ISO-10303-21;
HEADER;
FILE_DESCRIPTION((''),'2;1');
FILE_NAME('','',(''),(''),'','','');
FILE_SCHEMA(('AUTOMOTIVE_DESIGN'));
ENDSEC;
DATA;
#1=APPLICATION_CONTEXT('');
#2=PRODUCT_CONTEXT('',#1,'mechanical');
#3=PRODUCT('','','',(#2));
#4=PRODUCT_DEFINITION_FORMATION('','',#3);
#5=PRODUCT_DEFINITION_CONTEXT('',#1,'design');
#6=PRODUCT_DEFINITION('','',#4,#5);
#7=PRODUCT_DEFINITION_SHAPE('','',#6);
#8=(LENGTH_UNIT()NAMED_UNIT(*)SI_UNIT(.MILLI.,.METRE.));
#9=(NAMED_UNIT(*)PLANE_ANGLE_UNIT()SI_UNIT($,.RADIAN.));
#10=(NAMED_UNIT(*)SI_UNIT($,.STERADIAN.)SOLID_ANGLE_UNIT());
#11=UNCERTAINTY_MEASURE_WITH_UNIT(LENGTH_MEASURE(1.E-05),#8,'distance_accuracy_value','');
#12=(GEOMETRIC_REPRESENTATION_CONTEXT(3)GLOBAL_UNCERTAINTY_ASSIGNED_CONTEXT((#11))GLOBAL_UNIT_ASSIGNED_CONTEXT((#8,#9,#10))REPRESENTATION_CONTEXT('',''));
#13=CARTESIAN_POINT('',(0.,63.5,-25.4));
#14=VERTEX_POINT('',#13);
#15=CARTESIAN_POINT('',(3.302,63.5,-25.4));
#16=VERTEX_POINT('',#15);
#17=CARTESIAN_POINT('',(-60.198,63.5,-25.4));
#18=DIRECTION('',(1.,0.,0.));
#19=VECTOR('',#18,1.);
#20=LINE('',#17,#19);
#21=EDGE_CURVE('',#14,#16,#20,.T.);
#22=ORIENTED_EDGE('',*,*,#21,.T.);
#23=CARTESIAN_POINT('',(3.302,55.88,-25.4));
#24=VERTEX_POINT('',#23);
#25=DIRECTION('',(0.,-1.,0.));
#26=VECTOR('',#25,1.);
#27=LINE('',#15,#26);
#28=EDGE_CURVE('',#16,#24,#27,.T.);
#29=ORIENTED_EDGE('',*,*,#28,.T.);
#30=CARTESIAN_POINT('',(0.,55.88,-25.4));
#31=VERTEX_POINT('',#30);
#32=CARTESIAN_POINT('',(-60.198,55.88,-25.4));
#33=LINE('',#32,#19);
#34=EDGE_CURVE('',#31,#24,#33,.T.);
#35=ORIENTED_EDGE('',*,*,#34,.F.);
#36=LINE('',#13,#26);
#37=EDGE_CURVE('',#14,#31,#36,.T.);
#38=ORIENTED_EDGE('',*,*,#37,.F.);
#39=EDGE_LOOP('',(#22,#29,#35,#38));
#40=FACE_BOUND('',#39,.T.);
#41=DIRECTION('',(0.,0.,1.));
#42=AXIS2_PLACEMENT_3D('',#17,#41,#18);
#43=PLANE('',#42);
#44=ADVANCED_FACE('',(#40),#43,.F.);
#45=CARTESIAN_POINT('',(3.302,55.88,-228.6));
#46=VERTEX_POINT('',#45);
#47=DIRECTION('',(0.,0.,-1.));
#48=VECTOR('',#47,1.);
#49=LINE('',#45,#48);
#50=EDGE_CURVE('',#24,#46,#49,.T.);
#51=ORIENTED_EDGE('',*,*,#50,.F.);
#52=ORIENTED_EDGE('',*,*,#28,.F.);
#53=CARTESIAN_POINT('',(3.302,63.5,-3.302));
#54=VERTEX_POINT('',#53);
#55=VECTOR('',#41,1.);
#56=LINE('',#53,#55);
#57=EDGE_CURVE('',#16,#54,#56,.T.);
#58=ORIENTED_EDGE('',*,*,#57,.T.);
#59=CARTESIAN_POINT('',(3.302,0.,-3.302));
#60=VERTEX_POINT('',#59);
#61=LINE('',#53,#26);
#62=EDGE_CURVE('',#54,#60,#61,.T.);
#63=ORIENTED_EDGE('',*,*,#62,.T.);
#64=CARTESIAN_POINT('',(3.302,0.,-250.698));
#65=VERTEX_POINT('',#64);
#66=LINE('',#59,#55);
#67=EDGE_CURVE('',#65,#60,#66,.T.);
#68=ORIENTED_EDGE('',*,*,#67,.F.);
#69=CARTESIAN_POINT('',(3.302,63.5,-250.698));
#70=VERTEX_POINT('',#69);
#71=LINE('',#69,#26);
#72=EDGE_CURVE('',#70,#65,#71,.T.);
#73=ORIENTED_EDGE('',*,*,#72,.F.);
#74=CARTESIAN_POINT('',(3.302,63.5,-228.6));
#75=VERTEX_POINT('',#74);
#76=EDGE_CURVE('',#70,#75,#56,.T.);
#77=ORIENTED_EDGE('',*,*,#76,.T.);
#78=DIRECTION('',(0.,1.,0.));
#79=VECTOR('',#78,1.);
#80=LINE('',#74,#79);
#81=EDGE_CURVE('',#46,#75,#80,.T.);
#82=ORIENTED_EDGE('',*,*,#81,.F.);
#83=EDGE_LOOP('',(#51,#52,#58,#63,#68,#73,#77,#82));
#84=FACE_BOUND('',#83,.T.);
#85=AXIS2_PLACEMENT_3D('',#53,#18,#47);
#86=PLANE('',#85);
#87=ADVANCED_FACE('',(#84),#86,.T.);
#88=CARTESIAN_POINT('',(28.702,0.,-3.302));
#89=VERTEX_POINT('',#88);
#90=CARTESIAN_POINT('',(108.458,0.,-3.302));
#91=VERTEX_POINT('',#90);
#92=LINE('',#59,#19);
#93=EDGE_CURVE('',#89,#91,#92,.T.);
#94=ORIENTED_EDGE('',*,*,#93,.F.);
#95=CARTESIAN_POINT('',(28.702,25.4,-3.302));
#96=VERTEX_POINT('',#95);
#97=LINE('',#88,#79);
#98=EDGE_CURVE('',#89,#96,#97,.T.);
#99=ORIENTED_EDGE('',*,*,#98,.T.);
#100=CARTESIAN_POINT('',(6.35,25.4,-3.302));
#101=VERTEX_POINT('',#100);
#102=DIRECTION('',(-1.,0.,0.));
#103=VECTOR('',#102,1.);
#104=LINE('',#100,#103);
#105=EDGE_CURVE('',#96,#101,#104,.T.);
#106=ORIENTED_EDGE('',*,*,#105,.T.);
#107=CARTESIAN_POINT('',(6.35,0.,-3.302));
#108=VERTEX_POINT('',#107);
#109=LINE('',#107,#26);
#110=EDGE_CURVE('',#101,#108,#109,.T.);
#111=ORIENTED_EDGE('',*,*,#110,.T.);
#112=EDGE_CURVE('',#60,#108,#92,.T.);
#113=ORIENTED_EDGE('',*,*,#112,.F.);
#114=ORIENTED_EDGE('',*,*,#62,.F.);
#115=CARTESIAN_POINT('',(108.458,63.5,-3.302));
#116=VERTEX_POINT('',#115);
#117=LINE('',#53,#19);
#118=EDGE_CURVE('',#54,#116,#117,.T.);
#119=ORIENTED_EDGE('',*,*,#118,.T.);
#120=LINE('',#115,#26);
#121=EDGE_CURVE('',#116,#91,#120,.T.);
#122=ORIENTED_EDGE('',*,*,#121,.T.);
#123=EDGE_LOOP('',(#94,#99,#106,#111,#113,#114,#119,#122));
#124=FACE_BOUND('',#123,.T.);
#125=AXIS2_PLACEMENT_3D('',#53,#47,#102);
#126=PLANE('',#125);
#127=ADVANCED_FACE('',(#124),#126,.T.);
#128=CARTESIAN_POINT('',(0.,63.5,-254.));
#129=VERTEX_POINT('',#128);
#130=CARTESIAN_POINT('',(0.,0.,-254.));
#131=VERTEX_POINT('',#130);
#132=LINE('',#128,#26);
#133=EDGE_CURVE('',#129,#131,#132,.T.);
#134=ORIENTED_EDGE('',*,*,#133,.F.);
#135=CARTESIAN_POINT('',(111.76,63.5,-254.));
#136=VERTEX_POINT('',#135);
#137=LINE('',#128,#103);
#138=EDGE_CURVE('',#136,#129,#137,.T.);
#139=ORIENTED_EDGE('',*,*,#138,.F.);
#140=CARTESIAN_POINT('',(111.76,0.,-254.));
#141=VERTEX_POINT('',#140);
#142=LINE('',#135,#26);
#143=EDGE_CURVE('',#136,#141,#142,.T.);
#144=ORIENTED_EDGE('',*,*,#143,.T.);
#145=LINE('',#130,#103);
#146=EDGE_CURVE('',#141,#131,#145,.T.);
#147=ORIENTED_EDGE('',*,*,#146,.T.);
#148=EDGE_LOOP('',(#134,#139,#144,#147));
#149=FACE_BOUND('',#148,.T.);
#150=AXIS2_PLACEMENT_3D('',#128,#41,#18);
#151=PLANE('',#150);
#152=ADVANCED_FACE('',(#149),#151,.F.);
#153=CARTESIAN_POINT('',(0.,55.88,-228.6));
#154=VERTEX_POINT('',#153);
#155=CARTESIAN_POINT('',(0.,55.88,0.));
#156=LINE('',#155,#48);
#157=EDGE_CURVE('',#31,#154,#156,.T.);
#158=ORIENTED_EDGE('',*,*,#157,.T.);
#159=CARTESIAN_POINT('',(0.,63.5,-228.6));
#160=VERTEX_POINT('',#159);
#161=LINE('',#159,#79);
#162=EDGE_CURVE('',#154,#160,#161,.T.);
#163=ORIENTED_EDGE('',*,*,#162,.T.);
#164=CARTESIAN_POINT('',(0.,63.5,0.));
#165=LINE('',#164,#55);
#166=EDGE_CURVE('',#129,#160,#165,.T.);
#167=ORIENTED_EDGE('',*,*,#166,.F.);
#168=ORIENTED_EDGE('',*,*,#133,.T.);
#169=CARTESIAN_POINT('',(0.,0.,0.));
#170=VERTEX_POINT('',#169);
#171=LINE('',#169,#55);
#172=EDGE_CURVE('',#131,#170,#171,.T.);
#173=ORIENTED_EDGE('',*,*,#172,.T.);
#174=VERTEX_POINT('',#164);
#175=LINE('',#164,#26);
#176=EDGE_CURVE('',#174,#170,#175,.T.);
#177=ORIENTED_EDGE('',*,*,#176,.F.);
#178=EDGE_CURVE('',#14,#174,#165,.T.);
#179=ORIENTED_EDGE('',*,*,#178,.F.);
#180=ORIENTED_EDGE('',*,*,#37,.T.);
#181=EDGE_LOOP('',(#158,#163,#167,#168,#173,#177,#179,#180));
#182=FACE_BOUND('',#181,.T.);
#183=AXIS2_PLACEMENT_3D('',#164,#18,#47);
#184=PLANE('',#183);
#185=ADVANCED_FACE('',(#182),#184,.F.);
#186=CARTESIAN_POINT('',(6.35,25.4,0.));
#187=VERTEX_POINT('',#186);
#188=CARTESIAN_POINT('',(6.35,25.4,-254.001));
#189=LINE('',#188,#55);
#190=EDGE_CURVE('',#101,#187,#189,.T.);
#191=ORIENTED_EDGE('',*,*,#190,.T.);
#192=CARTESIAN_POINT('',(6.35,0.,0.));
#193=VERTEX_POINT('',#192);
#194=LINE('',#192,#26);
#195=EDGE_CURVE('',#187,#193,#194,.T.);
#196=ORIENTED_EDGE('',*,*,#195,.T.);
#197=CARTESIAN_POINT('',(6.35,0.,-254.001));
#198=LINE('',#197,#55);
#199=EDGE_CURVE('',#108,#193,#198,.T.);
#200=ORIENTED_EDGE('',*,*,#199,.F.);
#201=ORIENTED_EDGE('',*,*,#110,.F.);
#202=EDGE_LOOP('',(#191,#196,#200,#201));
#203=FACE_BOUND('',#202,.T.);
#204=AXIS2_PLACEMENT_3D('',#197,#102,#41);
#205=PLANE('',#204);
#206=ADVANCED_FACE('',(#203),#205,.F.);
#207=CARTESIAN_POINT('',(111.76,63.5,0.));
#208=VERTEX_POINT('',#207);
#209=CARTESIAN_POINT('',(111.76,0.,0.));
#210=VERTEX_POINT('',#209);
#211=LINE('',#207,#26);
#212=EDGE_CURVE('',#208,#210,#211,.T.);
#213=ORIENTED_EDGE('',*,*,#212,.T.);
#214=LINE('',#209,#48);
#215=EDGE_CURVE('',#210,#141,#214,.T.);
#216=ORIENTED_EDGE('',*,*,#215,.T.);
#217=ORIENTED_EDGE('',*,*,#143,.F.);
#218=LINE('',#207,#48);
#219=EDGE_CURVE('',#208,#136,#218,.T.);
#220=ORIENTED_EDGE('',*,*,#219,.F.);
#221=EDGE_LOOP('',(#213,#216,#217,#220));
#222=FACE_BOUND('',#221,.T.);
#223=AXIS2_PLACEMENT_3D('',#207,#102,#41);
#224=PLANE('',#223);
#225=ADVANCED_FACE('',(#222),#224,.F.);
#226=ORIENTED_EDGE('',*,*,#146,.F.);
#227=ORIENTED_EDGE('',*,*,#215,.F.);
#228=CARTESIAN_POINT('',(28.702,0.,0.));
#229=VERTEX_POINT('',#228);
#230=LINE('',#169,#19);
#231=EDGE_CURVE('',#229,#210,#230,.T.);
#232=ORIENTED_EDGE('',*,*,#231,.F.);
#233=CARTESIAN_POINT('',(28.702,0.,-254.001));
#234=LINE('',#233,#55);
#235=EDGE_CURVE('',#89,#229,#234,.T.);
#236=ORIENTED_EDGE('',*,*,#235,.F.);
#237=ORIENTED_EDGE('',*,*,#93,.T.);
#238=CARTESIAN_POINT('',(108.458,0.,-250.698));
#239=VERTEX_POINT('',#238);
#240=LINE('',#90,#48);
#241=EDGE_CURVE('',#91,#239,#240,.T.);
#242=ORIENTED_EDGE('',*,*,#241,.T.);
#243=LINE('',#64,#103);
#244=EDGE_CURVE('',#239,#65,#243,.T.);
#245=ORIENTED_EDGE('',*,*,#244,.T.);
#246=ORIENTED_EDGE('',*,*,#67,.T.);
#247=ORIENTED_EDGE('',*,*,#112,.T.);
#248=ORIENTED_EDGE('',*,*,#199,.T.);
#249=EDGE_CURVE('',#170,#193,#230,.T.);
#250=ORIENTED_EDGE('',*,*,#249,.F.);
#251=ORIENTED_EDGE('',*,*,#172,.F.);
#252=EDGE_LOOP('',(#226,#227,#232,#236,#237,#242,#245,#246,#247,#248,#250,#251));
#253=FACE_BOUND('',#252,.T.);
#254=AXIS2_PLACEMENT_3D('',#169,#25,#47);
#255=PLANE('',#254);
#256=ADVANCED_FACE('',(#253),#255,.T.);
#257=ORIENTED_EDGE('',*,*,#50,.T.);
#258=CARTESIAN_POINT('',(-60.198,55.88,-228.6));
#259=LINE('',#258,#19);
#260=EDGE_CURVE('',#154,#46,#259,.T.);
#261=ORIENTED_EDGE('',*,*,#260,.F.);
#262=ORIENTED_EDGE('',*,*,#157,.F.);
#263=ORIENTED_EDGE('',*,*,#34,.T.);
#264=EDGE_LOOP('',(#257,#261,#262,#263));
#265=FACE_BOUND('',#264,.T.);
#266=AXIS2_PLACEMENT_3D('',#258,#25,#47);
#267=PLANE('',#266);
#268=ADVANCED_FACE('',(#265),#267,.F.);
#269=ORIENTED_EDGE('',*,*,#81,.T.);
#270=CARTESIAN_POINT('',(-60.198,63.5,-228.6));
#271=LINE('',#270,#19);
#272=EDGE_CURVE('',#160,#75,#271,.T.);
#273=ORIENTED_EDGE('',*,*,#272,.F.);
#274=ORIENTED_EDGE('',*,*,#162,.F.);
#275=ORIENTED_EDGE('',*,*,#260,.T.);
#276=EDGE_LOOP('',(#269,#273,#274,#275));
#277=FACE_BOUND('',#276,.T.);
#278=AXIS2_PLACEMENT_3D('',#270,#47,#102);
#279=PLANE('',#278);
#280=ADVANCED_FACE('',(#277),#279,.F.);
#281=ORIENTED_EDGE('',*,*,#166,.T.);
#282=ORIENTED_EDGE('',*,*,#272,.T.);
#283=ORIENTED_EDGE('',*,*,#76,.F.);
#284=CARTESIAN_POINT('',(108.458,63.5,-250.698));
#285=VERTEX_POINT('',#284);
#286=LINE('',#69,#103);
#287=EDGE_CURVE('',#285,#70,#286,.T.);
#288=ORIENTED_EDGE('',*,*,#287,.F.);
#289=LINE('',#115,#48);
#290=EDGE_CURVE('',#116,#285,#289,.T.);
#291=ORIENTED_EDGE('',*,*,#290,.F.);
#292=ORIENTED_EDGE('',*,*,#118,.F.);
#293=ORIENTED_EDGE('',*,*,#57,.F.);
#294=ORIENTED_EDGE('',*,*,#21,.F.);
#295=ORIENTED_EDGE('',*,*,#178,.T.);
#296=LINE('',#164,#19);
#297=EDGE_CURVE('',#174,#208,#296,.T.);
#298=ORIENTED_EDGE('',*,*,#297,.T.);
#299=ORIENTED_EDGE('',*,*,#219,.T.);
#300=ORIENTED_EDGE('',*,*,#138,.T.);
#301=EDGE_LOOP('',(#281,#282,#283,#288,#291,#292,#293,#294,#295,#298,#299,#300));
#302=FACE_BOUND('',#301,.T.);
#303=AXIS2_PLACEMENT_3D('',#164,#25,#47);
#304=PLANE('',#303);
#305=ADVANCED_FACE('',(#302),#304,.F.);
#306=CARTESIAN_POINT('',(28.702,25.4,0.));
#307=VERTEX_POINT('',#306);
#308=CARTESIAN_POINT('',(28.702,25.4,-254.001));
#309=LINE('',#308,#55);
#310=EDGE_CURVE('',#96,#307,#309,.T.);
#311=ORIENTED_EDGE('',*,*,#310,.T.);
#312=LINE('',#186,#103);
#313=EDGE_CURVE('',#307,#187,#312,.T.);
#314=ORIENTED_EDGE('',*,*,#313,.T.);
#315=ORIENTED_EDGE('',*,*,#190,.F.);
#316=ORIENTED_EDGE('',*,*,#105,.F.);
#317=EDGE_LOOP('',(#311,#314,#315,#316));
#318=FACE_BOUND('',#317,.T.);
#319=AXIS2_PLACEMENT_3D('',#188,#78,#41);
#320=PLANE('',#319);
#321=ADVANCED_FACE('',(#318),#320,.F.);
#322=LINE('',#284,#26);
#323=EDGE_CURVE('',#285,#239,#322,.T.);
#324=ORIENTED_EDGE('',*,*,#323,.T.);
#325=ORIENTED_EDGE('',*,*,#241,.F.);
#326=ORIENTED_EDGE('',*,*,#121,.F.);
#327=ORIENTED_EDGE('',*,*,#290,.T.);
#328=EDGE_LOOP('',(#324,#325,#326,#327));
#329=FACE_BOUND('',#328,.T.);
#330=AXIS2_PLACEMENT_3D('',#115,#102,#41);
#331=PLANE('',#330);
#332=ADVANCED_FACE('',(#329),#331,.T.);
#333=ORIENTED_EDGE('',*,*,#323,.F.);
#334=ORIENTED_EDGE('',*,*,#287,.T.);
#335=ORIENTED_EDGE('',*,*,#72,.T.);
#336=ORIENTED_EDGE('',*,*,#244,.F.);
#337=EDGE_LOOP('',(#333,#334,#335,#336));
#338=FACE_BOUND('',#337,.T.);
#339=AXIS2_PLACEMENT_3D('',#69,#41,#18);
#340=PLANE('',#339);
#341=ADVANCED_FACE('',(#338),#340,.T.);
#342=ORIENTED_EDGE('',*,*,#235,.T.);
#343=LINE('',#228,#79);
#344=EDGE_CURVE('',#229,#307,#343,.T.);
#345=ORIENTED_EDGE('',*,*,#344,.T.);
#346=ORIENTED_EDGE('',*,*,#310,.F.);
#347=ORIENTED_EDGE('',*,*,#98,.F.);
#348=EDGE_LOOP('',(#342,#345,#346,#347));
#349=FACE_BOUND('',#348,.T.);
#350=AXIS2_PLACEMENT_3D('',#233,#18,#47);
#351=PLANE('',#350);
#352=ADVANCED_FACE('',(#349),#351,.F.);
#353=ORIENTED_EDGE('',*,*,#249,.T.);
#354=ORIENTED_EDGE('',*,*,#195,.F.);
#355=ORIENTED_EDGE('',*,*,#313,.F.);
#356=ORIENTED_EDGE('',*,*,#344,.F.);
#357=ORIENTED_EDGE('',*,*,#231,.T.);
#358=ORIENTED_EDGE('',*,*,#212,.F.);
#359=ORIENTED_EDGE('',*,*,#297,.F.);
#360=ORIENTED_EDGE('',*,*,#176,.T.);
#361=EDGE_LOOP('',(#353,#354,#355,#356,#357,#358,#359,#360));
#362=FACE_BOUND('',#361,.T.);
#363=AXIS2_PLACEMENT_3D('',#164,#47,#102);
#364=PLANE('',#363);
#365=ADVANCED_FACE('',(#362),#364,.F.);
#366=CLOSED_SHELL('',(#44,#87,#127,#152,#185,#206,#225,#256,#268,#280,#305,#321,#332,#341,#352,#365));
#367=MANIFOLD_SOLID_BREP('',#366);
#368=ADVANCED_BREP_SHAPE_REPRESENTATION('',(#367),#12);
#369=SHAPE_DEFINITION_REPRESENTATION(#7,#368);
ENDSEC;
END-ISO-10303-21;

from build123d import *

# Parameters (mm, degrees)
SKETCH2_W           = 111.76
SKETCH2_H           = 254
SKETCH2_W_2         = 105.156
SKETCH2_H_2         = 247.396
BOSS_EXTRUDE2_DEPTH = 63.5
SKETCH3_W           = 203.2
SKETCH3_H           = 7.62
CUT_EXTRUDE1_DEPTH  = 63.5
CUT_EXTRUDE2_REACH  = 256
SKETCH4_W           = 22.352
SKETCH4_H           = 25.4


with BuildPart() as part:
    # Sketch2 → Boss-Extrude2 (new body)
    with BuildSketch(Plane(origin=(0, 0, 0), x_dir=(1, 0, 0), z_dir=(0, 1, 0))):
        with Locations((55.88, 127)):
            Rectangle(SKETCH2_W, SKETCH2_H)
        with Locations((55.88, 127)):
            Rectangle(SKETCH2_W_2, SKETCH2_H_2, mode=Mode.SUBTRACT)
    extrude(amount=BOSS_EXTRUDE2_DEPTH)

    # Sketch3 → Cut-Extrude1 (cut)
    with BuildSketch(Plane(origin=(3.302, 0, 0), x_dir=(0, 0, -1), z_dir=(1, 0, 0))):
        with Locations((127, 59.69)):
            Rectangle(SKETCH3_W, SKETCH3_H)
    extrude(amount=-CUT_EXTRUDE1_DEPTH, mode=Mode.SUBTRACT)

    # Sketch4 → Cut-Extrude2 (cut, up to next)
    with BuildSketch(Plane.XY, mode=Mode.PRIVATE) as cut_extrude2_sk1:
        with Locations((17.526, 12.7)):
            Rectangle(SKETCH4_W, SKETCH4_H)
    cut_extrude2_tool1 = extrude(cut_extrude2_sk1.sketch, amount=-CUT_EXTRUDE2_REACH, mode=Mode.PRIVATE) & part.part
    add(cut_extrude2_tool1.solids().sort_by_distance((17.526, 12.7, 0))[0], mode=Mode.SUBTRACT)


solid = part.part
